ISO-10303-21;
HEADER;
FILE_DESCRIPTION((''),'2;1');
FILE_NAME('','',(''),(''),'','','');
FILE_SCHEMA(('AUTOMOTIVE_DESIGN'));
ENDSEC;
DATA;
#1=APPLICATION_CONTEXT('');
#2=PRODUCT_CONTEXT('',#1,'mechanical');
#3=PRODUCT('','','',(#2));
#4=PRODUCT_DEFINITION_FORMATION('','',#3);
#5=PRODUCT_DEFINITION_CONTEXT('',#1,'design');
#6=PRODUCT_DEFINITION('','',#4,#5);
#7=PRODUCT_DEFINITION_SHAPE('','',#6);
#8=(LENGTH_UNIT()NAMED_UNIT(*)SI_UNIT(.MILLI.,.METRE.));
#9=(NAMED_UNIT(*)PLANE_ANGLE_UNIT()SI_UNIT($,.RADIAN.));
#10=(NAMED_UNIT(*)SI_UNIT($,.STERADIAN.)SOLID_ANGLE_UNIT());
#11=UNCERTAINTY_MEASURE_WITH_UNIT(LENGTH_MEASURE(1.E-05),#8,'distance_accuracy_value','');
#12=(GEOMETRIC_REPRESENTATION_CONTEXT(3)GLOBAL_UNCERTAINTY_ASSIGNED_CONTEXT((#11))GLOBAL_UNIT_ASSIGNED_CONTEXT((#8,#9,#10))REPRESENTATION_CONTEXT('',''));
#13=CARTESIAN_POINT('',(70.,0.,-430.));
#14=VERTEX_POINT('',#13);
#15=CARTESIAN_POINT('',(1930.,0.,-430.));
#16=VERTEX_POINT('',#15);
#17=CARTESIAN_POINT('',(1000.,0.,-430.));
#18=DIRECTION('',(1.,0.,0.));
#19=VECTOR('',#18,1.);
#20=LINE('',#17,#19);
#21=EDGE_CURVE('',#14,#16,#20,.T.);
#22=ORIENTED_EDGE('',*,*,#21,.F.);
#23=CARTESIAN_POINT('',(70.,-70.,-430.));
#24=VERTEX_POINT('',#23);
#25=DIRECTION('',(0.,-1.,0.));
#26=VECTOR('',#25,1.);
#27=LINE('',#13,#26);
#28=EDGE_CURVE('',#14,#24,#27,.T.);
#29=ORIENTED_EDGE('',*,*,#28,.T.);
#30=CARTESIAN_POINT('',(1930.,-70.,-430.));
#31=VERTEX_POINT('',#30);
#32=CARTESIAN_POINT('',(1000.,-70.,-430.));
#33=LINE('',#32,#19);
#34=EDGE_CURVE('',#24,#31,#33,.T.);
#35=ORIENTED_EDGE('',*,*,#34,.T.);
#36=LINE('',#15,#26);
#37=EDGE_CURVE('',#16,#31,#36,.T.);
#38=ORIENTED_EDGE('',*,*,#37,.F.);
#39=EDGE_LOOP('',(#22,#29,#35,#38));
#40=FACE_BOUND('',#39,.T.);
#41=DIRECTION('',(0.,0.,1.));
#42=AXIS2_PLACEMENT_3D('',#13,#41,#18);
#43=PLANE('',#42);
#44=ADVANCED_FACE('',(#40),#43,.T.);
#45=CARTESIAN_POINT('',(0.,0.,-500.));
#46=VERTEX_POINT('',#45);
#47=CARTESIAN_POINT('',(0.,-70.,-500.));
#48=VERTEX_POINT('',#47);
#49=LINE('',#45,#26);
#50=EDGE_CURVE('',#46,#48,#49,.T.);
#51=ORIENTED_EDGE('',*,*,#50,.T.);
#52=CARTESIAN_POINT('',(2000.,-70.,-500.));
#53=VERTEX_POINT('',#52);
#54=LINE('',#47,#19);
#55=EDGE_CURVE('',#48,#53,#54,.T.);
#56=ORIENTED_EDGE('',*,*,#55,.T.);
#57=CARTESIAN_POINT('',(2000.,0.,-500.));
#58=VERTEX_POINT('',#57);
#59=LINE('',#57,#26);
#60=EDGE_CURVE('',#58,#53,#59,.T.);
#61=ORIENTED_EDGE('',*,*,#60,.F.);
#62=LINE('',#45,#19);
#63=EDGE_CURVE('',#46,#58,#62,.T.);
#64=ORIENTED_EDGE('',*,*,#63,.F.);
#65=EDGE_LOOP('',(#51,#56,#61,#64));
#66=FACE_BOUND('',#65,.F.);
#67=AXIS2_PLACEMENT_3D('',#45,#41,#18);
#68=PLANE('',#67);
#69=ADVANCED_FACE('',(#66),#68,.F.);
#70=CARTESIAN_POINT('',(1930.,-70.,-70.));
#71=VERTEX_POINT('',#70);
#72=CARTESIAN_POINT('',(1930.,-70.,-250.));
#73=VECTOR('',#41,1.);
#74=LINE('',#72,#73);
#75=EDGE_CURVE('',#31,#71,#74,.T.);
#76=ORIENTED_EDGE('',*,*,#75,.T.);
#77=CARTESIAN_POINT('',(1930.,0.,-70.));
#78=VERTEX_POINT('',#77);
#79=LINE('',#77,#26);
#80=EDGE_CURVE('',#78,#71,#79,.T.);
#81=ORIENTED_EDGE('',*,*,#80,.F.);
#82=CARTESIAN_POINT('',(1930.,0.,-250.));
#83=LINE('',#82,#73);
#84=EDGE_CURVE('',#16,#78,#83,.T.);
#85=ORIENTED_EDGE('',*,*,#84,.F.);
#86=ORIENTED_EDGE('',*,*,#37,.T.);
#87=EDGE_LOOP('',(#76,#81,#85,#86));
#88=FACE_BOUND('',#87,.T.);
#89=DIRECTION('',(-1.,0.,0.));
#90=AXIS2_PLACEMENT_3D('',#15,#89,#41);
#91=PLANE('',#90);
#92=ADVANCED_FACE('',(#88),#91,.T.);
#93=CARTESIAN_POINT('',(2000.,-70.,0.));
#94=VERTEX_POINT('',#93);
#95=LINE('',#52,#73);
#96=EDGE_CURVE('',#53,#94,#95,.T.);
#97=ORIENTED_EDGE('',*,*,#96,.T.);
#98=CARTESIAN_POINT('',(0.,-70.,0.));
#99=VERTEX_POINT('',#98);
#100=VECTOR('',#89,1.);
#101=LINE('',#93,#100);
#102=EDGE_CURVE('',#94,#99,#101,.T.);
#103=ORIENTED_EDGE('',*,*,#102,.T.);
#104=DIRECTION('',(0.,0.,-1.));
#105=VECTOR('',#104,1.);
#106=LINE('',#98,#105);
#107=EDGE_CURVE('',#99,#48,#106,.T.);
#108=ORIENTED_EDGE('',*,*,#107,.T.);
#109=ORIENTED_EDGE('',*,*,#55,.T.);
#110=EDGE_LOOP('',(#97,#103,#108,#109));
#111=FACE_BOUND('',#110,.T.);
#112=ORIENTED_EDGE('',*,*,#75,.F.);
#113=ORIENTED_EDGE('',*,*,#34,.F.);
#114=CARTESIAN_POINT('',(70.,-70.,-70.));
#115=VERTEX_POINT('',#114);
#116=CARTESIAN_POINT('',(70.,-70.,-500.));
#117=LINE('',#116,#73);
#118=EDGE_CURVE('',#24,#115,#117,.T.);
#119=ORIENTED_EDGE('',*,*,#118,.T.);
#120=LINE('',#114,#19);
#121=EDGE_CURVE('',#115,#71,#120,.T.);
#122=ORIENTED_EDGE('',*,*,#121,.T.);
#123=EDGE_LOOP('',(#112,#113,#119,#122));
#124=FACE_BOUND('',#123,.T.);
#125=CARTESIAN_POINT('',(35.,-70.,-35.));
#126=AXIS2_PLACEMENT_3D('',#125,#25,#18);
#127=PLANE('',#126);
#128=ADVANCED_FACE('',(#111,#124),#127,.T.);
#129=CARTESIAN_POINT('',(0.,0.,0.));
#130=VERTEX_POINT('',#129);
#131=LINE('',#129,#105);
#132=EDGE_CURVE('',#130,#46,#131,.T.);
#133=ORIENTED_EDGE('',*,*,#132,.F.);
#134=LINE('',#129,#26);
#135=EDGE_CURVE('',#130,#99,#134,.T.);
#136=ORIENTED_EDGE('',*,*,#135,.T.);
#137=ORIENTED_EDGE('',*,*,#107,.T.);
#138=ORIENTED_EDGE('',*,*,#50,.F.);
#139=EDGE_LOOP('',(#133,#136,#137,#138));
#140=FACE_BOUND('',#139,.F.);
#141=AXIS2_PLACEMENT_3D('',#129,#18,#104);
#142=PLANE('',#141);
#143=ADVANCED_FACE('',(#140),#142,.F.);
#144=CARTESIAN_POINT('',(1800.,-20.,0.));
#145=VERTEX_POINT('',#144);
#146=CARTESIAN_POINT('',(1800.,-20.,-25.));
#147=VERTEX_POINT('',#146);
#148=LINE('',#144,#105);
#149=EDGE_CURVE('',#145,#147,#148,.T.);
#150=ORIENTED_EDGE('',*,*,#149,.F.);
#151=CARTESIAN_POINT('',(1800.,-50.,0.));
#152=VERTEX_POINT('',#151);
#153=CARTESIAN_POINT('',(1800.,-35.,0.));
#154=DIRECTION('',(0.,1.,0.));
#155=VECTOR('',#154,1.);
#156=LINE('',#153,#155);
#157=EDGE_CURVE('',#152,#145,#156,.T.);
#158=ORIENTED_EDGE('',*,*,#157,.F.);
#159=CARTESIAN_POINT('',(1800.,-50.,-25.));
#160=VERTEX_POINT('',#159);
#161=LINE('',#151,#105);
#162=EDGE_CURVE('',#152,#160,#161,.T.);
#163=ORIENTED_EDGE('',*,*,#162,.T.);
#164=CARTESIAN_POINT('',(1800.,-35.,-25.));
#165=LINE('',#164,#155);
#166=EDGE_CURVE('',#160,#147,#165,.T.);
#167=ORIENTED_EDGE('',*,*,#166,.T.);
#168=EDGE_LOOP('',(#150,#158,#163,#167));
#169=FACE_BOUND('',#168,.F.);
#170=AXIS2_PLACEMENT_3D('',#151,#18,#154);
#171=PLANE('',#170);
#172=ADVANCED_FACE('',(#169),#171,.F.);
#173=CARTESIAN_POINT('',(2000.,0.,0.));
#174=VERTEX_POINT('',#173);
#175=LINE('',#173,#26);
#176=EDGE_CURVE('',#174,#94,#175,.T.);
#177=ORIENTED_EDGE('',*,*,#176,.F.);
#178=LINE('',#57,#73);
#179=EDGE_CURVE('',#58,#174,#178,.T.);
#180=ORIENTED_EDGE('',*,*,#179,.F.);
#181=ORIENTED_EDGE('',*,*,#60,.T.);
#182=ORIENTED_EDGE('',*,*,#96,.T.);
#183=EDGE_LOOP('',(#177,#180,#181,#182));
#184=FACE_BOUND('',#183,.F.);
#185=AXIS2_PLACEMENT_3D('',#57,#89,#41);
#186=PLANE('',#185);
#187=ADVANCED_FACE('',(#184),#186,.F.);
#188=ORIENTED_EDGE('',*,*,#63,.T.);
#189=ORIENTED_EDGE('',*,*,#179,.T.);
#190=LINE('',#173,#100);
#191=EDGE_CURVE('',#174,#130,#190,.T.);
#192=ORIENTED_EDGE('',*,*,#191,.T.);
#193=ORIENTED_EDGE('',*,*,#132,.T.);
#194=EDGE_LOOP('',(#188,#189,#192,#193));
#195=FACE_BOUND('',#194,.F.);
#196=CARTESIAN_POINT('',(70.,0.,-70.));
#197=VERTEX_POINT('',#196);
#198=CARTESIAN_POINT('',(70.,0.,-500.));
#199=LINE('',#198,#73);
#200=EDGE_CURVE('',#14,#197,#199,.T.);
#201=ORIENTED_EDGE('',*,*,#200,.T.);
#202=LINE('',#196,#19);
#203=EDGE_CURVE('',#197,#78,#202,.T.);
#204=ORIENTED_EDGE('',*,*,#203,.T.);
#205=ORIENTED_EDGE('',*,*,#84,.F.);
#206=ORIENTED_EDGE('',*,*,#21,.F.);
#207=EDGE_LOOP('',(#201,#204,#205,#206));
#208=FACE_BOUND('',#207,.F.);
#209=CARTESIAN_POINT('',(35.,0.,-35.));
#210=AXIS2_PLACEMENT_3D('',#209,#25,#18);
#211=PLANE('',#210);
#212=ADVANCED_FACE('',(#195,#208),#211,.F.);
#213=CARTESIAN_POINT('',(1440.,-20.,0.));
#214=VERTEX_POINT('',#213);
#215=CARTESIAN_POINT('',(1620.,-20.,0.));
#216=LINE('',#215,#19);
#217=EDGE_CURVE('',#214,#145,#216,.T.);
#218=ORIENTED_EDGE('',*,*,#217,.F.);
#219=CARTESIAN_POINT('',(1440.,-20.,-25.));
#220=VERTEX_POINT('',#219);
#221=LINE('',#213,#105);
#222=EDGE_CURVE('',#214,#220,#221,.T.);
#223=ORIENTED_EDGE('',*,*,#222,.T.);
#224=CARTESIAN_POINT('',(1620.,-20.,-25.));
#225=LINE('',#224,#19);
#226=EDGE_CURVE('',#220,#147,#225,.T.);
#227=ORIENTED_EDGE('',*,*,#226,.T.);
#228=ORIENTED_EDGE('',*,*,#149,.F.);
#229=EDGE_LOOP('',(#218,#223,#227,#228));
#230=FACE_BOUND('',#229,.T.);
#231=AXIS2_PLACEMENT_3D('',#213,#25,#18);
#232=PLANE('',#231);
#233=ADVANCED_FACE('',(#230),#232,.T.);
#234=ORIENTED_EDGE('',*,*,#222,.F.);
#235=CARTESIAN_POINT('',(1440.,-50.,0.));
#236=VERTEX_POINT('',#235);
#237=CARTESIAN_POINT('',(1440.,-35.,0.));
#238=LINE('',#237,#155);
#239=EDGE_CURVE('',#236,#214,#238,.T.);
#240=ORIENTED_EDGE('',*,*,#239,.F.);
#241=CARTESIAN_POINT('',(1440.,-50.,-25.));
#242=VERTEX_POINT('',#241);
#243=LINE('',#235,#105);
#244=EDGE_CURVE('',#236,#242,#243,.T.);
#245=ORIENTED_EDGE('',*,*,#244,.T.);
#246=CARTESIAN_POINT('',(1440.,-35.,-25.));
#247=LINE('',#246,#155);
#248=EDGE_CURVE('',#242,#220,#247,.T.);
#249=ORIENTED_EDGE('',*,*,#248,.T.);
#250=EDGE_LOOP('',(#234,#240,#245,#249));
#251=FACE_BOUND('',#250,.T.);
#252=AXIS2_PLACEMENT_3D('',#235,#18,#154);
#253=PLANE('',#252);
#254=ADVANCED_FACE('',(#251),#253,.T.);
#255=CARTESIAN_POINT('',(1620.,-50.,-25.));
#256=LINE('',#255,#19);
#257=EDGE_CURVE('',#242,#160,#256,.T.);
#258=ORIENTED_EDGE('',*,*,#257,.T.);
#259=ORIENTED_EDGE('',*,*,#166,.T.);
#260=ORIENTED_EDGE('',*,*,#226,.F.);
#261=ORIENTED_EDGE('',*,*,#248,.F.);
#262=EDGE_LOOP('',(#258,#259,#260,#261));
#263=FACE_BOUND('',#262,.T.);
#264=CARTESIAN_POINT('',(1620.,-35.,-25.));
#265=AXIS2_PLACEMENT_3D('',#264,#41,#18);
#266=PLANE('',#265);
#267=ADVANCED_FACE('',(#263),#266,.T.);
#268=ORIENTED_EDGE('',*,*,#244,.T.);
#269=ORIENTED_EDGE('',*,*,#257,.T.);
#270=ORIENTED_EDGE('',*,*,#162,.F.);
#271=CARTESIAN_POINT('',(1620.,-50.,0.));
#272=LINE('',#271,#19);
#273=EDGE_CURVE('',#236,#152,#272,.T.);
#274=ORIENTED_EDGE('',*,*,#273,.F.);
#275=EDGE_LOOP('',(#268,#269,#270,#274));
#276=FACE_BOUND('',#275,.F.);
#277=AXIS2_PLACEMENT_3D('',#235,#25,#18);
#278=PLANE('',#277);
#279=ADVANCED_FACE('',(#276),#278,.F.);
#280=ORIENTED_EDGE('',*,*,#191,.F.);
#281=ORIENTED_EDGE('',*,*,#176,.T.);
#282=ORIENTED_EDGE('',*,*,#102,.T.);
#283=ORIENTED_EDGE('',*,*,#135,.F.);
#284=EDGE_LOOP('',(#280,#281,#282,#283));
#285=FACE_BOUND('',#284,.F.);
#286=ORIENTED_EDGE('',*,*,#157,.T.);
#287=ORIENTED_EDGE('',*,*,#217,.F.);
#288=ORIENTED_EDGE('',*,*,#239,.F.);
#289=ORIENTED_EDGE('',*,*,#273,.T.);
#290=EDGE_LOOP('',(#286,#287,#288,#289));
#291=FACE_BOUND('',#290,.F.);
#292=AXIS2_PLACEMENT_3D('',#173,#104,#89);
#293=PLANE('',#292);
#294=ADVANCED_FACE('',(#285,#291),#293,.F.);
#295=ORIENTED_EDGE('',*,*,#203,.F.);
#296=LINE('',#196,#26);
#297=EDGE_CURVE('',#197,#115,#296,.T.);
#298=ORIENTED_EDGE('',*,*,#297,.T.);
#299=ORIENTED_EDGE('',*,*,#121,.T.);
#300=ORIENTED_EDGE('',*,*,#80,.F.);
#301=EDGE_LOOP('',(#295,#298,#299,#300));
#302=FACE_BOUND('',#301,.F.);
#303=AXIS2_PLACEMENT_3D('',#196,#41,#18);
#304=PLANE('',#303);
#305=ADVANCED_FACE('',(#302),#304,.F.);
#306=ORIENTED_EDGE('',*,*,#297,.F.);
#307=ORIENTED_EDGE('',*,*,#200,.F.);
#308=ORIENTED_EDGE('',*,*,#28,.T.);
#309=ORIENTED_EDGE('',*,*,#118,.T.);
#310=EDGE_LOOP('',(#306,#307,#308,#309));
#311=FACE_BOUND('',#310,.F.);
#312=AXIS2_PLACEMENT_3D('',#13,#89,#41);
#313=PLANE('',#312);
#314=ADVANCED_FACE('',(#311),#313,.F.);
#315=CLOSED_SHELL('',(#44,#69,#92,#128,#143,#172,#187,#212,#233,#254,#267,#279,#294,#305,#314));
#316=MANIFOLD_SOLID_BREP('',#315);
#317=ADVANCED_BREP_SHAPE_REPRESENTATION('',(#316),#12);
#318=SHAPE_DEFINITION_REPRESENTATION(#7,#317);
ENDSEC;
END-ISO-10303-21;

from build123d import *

# Parameters (mm, degrees)
F0_W          = 70
F0_H          = 70
F0_W_2        = 1860
F0_H_2        = 360
F1_DEPTH      = 70
F2_W          = 360
F2_H          = 30
F3_DEPTH      = 25
F3_DEPTH_BACK = 25


with BuildPart() as f1:
    # F0 (on Front) → F1 (new body)
    with BuildSketch(Plane.XZ):
        with Locations((35, -35)):
            Rectangle(F0_W, F0_H)
        with Locations((1000, -35)):
            Rectangle(F0_W_2, F0_H)
        with Locations((35, -250)):
            Rectangle(F0_W, F0_H_2)
        with Locations((1965, -35)):
            Rectangle(F0_W, F0_H)
        with Locations((35, -465)):
            Rectangle(F0_W, F0_H)
        with Locations((1965, -250)):
            Rectangle(F0_W, F0_H_2)
        with Locations((1000, -465)):
            Rectangle(F0_W_2, F0_H)
        with Locations((1965, -465)):
            Rectangle(F0_W, F0_H)
    extrude(amount=F1_DEPTH)

    # F2 (on face) → F3 (cut, two sides)
    with BuildSketch(Plane.XY) as f3_sk:
        with Locations((1620, -35)):
            Rectangle(F2_W, F2_H)
    extrude(amount=F3_DEPTH, mode=Mode.SUBTRACT)
    extrude(f3_sk.sketch, amount=-F3_DEPTH_BACK, mode=Mode.SUBTRACT)


solid = f1.part
